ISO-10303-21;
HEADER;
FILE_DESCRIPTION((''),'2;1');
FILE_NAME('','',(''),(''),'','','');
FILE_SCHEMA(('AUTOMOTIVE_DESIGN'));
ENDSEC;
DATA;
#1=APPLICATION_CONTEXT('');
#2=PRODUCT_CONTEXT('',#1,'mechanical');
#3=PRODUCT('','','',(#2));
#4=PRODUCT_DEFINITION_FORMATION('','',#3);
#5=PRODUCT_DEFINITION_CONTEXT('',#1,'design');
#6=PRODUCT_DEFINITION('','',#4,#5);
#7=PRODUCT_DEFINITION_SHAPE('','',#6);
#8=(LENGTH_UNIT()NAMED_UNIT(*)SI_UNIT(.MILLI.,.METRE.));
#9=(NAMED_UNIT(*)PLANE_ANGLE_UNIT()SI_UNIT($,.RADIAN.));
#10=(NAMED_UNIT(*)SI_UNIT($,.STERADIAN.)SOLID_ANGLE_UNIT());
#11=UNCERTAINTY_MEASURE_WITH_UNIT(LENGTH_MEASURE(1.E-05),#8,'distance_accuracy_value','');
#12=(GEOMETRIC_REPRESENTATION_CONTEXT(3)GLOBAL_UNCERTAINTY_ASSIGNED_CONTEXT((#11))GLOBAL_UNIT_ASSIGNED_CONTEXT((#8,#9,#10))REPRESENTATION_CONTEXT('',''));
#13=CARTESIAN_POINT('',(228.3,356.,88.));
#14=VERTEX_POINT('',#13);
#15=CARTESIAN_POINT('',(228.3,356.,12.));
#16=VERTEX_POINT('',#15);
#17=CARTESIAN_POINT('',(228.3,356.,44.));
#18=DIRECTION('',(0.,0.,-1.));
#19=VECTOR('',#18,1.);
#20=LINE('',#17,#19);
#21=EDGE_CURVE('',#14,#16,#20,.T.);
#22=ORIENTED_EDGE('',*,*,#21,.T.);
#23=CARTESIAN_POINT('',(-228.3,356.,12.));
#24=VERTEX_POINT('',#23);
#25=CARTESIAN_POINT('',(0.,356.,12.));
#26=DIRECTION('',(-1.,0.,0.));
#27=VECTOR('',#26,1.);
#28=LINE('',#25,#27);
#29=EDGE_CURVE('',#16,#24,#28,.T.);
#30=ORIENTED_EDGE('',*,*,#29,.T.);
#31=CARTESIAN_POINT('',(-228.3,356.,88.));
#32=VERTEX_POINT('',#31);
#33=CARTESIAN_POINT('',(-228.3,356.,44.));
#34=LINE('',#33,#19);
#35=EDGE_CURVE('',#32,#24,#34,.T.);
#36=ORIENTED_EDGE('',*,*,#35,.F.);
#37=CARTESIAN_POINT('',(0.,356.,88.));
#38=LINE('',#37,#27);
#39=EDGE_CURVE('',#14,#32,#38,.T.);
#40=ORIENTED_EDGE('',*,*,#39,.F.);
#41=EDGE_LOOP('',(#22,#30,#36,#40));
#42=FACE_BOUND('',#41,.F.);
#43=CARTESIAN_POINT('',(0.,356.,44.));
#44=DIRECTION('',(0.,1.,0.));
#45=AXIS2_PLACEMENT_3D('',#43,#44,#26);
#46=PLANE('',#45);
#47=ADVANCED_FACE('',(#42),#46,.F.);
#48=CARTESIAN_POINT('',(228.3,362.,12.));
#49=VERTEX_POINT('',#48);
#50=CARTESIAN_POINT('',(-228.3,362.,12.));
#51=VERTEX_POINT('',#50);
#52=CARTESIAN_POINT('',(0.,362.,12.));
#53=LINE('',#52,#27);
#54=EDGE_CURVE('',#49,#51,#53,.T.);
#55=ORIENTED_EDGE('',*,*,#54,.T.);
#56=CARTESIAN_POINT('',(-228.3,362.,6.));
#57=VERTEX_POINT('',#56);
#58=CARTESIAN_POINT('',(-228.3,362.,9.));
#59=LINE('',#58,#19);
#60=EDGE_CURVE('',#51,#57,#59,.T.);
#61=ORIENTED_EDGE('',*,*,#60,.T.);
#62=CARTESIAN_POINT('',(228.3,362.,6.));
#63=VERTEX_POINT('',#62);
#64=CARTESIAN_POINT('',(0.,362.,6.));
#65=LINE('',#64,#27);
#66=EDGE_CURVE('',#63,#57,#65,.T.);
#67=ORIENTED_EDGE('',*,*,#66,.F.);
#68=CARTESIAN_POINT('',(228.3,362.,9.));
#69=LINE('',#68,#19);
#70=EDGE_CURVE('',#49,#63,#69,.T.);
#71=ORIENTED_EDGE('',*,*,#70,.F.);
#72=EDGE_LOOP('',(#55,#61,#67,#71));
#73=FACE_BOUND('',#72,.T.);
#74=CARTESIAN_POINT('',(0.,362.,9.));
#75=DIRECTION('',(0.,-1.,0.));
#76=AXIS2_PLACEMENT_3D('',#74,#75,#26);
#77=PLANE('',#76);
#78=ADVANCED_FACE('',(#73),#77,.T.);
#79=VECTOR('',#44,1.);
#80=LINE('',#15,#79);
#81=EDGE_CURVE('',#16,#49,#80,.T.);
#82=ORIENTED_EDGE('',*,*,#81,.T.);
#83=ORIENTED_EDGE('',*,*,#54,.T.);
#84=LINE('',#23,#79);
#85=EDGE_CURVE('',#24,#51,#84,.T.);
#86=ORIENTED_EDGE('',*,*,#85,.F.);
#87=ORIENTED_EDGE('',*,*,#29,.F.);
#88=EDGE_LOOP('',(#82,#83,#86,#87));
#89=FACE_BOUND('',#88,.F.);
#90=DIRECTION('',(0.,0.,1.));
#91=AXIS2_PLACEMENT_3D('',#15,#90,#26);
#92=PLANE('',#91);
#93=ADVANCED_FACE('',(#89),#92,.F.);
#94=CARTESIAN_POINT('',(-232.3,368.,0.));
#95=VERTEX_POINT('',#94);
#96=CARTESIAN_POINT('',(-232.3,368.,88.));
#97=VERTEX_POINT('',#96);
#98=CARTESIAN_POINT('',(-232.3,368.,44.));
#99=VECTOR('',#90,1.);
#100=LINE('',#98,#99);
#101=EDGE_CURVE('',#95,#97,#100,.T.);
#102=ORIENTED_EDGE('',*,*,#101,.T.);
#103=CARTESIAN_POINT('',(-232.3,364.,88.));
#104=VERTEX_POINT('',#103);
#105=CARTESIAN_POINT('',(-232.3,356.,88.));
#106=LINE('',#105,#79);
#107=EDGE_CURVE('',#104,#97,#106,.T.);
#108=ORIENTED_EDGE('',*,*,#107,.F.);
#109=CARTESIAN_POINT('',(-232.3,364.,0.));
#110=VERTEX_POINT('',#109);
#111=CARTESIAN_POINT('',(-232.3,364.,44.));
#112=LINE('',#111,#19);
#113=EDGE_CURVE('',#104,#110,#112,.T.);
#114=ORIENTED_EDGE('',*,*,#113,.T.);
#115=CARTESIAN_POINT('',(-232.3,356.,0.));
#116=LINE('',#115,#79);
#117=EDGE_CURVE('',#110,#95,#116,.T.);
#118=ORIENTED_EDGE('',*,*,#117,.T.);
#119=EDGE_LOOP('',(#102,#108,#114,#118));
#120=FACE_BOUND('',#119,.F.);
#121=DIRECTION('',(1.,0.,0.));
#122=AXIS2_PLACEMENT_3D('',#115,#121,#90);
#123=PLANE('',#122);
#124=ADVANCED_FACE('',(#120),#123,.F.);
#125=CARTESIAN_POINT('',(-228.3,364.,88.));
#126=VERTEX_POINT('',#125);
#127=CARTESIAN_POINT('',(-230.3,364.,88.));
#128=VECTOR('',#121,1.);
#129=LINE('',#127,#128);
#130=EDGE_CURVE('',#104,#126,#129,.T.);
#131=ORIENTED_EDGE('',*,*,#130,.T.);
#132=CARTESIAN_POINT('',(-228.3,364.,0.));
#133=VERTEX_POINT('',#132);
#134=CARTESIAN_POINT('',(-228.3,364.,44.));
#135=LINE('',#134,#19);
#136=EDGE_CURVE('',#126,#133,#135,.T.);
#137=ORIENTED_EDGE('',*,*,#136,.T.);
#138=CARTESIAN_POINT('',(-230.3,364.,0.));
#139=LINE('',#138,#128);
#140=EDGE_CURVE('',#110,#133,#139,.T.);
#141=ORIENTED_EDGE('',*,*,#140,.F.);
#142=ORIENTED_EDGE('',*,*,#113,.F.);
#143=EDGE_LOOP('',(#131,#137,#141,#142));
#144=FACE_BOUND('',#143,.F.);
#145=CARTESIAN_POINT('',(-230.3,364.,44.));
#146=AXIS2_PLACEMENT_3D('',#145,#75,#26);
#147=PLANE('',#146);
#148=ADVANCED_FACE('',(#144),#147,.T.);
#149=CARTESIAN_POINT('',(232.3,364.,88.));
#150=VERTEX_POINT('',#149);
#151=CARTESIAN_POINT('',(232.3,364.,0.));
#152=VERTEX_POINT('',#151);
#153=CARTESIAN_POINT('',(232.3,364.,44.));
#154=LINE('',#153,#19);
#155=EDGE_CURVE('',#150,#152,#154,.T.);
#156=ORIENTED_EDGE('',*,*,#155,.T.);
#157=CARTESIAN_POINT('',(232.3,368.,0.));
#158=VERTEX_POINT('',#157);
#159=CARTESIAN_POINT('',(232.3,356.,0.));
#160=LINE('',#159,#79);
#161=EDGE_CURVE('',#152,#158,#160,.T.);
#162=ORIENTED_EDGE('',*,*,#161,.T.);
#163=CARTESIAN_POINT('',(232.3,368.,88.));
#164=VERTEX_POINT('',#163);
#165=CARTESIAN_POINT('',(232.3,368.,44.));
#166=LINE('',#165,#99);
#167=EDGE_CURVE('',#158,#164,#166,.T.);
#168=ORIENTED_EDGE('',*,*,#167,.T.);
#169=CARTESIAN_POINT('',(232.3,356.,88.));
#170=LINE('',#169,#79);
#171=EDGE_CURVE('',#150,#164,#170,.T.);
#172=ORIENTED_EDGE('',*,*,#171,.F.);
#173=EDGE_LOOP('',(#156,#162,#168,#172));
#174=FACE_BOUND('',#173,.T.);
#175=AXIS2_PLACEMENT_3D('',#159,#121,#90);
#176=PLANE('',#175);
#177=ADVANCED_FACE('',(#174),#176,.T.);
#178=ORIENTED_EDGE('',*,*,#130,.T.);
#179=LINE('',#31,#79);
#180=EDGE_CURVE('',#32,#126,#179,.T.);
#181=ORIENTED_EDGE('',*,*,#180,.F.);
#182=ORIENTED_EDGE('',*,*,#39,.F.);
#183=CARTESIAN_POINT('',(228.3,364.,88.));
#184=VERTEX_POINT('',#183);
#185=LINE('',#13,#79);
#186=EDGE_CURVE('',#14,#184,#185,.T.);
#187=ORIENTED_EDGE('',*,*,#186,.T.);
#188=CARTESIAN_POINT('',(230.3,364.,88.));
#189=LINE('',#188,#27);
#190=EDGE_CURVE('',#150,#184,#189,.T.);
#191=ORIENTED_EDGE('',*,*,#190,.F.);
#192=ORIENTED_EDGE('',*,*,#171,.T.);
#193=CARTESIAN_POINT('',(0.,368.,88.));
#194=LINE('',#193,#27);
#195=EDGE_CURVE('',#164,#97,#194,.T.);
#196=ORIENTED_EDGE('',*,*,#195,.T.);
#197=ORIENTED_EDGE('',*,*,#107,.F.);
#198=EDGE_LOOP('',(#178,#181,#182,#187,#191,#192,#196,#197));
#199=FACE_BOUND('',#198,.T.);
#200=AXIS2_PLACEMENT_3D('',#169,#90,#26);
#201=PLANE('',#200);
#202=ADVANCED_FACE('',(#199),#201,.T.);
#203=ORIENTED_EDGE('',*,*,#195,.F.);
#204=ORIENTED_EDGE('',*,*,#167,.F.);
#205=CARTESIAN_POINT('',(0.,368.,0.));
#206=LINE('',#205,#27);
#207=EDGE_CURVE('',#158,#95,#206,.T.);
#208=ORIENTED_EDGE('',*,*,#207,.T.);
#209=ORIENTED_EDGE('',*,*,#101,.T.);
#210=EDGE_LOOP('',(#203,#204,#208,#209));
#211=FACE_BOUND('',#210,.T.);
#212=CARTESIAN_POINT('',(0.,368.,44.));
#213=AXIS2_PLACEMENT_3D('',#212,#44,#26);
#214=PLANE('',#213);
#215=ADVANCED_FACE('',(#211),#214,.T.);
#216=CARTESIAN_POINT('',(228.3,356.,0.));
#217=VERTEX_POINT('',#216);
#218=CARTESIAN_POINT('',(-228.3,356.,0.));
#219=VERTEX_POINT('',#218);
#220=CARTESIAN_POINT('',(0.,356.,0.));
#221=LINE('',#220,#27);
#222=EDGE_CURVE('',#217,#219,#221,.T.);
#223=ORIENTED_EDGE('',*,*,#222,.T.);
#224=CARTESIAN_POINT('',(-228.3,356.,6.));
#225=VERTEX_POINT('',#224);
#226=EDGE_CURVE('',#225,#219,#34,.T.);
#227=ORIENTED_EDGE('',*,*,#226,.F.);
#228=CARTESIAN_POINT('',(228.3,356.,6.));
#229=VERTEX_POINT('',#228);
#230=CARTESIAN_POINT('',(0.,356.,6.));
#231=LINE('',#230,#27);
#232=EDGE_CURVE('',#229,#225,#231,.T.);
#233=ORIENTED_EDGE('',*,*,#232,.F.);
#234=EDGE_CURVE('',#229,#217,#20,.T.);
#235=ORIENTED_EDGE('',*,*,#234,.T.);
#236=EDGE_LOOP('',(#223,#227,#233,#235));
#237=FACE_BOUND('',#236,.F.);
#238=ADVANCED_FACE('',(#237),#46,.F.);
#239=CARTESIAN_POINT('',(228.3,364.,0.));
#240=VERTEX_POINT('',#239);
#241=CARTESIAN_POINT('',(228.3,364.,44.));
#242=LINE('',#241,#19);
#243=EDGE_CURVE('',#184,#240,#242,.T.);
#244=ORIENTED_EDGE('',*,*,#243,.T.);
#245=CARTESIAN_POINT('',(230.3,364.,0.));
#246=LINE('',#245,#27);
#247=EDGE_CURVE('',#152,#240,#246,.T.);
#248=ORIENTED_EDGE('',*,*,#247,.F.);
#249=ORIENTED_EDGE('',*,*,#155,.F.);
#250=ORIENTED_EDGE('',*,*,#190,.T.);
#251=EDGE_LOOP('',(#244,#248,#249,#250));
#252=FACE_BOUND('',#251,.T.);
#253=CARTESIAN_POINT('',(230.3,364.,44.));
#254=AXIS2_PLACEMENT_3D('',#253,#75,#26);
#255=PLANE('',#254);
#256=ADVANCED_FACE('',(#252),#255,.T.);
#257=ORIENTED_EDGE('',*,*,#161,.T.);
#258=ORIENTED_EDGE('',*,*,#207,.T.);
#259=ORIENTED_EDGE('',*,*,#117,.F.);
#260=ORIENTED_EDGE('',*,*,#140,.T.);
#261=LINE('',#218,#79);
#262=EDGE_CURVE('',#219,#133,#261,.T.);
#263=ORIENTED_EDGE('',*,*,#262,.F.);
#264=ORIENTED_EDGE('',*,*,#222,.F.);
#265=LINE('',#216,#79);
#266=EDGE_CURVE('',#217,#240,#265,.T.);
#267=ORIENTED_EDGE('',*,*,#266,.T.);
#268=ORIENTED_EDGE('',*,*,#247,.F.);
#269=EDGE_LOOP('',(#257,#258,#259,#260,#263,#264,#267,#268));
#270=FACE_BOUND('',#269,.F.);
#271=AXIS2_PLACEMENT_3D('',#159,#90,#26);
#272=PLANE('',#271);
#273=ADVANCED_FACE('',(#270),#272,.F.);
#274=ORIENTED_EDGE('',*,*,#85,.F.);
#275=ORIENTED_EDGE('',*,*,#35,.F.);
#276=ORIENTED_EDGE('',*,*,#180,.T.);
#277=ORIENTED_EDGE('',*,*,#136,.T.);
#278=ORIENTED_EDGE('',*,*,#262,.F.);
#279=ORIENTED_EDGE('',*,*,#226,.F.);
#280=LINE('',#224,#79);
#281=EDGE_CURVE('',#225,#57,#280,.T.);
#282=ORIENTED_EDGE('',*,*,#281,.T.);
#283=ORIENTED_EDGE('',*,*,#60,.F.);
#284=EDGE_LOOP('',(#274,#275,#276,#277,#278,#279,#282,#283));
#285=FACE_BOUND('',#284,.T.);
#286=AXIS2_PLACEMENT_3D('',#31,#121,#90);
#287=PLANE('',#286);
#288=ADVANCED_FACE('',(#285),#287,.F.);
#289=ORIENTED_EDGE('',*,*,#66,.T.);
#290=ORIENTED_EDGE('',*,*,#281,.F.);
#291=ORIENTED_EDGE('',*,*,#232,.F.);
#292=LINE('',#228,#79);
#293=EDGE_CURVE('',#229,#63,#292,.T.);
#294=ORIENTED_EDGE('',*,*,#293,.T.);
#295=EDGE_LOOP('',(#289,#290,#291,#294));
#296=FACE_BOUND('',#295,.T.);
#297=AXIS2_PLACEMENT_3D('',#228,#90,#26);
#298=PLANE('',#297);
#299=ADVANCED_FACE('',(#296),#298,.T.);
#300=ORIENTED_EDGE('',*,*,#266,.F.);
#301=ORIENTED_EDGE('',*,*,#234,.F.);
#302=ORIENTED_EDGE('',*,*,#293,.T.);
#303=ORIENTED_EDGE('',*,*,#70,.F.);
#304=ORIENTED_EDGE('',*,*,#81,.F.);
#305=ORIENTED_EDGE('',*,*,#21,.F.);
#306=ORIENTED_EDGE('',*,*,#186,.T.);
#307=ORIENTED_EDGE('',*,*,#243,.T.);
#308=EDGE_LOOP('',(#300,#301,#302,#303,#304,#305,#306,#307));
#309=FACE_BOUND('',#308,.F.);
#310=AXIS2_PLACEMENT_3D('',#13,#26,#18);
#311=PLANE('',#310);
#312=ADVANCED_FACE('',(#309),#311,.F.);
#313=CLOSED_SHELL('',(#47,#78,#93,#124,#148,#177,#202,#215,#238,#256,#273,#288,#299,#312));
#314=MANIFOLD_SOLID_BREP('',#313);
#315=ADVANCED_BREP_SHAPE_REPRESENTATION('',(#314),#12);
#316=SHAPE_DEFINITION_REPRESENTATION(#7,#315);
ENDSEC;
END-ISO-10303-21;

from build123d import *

# Parameters (mm, degrees)
SKETCH069_W             = 464.6
SKETCH069_H             = 88
PAD025_DEPTH            = 12
SKETCH070_W             = 4
SKETCH070_H             = 88
POCKET042_DEPTH         = 8
SKETCH071_W             = 456.6
SKETCH071_H             = 6
POCKET043_DEPTH         = 6
BODY024_ROLL_ANGLE      = 90
BODY024_PLACEMENT_ANGLE = 180


with BuildPart() as part:
    # Sketch069 → Pad025 (new body)
    with BuildSketch(Plane.XY):
        with Locations((0, 44)):
            Rectangle(SKETCH069_W, SKETCH069_H)
    extrude(amount=PAD025_DEPTH)

    # Sketch070 (on Face5 of Pad025) → Pocket042 (cut)
    with BuildSketch(Plane(origin=(0, 0, 0), x_dir=(1, 0, 0), z_dir=(0, 0, -1))):
        with Locations((-230.3, -44)):
            Rectangle(SKETCH070_W, SKETCH070_H)
    pocket042 = extrude(amount=-POCKET042_DEPTH, mode=Mode.SUBTRACT)

    # Mirrored016: Pocket042 across Sketch070 V_Axis
    add(pocket042.mirror(Plane(origin=(0, 0, 0), x_dir=(0, 0, -1), z_dir=(1, 0, 0))), mode=Mode.SUBTRACT)

    # Sketch071 (on Face3 of Mirrored016) → Pocket043 (cut)
    with BuildSketch(Plane(origin=(0, 0, 0), x_dir=(1, 0, 0), z_dir=(0, 0, -1))):
        with Locations((0, -9)):
            Rectangle(SKETCH071_W, SKETCH071_H)
    extrude(amount=-POCKET043_DEPTH, mode=Mode.SUBTRACT)


with BuildPart() as part_1:
    # Body024 roll: moved
    add(part.part.rotate(Axis((0, 0, 0), (1, 0, 0)), BODY024_ROLL_ANGLE))


with BuildPart() as part_2:
    # Body024 placement: moved
    add(part_1.part.moved(Location((0, 356, 0))).rotate(Axis((0, 356, 0), (0, 0, 1)), BODY024_PLACEMENT_ANGLE))


solid = part_2.part
